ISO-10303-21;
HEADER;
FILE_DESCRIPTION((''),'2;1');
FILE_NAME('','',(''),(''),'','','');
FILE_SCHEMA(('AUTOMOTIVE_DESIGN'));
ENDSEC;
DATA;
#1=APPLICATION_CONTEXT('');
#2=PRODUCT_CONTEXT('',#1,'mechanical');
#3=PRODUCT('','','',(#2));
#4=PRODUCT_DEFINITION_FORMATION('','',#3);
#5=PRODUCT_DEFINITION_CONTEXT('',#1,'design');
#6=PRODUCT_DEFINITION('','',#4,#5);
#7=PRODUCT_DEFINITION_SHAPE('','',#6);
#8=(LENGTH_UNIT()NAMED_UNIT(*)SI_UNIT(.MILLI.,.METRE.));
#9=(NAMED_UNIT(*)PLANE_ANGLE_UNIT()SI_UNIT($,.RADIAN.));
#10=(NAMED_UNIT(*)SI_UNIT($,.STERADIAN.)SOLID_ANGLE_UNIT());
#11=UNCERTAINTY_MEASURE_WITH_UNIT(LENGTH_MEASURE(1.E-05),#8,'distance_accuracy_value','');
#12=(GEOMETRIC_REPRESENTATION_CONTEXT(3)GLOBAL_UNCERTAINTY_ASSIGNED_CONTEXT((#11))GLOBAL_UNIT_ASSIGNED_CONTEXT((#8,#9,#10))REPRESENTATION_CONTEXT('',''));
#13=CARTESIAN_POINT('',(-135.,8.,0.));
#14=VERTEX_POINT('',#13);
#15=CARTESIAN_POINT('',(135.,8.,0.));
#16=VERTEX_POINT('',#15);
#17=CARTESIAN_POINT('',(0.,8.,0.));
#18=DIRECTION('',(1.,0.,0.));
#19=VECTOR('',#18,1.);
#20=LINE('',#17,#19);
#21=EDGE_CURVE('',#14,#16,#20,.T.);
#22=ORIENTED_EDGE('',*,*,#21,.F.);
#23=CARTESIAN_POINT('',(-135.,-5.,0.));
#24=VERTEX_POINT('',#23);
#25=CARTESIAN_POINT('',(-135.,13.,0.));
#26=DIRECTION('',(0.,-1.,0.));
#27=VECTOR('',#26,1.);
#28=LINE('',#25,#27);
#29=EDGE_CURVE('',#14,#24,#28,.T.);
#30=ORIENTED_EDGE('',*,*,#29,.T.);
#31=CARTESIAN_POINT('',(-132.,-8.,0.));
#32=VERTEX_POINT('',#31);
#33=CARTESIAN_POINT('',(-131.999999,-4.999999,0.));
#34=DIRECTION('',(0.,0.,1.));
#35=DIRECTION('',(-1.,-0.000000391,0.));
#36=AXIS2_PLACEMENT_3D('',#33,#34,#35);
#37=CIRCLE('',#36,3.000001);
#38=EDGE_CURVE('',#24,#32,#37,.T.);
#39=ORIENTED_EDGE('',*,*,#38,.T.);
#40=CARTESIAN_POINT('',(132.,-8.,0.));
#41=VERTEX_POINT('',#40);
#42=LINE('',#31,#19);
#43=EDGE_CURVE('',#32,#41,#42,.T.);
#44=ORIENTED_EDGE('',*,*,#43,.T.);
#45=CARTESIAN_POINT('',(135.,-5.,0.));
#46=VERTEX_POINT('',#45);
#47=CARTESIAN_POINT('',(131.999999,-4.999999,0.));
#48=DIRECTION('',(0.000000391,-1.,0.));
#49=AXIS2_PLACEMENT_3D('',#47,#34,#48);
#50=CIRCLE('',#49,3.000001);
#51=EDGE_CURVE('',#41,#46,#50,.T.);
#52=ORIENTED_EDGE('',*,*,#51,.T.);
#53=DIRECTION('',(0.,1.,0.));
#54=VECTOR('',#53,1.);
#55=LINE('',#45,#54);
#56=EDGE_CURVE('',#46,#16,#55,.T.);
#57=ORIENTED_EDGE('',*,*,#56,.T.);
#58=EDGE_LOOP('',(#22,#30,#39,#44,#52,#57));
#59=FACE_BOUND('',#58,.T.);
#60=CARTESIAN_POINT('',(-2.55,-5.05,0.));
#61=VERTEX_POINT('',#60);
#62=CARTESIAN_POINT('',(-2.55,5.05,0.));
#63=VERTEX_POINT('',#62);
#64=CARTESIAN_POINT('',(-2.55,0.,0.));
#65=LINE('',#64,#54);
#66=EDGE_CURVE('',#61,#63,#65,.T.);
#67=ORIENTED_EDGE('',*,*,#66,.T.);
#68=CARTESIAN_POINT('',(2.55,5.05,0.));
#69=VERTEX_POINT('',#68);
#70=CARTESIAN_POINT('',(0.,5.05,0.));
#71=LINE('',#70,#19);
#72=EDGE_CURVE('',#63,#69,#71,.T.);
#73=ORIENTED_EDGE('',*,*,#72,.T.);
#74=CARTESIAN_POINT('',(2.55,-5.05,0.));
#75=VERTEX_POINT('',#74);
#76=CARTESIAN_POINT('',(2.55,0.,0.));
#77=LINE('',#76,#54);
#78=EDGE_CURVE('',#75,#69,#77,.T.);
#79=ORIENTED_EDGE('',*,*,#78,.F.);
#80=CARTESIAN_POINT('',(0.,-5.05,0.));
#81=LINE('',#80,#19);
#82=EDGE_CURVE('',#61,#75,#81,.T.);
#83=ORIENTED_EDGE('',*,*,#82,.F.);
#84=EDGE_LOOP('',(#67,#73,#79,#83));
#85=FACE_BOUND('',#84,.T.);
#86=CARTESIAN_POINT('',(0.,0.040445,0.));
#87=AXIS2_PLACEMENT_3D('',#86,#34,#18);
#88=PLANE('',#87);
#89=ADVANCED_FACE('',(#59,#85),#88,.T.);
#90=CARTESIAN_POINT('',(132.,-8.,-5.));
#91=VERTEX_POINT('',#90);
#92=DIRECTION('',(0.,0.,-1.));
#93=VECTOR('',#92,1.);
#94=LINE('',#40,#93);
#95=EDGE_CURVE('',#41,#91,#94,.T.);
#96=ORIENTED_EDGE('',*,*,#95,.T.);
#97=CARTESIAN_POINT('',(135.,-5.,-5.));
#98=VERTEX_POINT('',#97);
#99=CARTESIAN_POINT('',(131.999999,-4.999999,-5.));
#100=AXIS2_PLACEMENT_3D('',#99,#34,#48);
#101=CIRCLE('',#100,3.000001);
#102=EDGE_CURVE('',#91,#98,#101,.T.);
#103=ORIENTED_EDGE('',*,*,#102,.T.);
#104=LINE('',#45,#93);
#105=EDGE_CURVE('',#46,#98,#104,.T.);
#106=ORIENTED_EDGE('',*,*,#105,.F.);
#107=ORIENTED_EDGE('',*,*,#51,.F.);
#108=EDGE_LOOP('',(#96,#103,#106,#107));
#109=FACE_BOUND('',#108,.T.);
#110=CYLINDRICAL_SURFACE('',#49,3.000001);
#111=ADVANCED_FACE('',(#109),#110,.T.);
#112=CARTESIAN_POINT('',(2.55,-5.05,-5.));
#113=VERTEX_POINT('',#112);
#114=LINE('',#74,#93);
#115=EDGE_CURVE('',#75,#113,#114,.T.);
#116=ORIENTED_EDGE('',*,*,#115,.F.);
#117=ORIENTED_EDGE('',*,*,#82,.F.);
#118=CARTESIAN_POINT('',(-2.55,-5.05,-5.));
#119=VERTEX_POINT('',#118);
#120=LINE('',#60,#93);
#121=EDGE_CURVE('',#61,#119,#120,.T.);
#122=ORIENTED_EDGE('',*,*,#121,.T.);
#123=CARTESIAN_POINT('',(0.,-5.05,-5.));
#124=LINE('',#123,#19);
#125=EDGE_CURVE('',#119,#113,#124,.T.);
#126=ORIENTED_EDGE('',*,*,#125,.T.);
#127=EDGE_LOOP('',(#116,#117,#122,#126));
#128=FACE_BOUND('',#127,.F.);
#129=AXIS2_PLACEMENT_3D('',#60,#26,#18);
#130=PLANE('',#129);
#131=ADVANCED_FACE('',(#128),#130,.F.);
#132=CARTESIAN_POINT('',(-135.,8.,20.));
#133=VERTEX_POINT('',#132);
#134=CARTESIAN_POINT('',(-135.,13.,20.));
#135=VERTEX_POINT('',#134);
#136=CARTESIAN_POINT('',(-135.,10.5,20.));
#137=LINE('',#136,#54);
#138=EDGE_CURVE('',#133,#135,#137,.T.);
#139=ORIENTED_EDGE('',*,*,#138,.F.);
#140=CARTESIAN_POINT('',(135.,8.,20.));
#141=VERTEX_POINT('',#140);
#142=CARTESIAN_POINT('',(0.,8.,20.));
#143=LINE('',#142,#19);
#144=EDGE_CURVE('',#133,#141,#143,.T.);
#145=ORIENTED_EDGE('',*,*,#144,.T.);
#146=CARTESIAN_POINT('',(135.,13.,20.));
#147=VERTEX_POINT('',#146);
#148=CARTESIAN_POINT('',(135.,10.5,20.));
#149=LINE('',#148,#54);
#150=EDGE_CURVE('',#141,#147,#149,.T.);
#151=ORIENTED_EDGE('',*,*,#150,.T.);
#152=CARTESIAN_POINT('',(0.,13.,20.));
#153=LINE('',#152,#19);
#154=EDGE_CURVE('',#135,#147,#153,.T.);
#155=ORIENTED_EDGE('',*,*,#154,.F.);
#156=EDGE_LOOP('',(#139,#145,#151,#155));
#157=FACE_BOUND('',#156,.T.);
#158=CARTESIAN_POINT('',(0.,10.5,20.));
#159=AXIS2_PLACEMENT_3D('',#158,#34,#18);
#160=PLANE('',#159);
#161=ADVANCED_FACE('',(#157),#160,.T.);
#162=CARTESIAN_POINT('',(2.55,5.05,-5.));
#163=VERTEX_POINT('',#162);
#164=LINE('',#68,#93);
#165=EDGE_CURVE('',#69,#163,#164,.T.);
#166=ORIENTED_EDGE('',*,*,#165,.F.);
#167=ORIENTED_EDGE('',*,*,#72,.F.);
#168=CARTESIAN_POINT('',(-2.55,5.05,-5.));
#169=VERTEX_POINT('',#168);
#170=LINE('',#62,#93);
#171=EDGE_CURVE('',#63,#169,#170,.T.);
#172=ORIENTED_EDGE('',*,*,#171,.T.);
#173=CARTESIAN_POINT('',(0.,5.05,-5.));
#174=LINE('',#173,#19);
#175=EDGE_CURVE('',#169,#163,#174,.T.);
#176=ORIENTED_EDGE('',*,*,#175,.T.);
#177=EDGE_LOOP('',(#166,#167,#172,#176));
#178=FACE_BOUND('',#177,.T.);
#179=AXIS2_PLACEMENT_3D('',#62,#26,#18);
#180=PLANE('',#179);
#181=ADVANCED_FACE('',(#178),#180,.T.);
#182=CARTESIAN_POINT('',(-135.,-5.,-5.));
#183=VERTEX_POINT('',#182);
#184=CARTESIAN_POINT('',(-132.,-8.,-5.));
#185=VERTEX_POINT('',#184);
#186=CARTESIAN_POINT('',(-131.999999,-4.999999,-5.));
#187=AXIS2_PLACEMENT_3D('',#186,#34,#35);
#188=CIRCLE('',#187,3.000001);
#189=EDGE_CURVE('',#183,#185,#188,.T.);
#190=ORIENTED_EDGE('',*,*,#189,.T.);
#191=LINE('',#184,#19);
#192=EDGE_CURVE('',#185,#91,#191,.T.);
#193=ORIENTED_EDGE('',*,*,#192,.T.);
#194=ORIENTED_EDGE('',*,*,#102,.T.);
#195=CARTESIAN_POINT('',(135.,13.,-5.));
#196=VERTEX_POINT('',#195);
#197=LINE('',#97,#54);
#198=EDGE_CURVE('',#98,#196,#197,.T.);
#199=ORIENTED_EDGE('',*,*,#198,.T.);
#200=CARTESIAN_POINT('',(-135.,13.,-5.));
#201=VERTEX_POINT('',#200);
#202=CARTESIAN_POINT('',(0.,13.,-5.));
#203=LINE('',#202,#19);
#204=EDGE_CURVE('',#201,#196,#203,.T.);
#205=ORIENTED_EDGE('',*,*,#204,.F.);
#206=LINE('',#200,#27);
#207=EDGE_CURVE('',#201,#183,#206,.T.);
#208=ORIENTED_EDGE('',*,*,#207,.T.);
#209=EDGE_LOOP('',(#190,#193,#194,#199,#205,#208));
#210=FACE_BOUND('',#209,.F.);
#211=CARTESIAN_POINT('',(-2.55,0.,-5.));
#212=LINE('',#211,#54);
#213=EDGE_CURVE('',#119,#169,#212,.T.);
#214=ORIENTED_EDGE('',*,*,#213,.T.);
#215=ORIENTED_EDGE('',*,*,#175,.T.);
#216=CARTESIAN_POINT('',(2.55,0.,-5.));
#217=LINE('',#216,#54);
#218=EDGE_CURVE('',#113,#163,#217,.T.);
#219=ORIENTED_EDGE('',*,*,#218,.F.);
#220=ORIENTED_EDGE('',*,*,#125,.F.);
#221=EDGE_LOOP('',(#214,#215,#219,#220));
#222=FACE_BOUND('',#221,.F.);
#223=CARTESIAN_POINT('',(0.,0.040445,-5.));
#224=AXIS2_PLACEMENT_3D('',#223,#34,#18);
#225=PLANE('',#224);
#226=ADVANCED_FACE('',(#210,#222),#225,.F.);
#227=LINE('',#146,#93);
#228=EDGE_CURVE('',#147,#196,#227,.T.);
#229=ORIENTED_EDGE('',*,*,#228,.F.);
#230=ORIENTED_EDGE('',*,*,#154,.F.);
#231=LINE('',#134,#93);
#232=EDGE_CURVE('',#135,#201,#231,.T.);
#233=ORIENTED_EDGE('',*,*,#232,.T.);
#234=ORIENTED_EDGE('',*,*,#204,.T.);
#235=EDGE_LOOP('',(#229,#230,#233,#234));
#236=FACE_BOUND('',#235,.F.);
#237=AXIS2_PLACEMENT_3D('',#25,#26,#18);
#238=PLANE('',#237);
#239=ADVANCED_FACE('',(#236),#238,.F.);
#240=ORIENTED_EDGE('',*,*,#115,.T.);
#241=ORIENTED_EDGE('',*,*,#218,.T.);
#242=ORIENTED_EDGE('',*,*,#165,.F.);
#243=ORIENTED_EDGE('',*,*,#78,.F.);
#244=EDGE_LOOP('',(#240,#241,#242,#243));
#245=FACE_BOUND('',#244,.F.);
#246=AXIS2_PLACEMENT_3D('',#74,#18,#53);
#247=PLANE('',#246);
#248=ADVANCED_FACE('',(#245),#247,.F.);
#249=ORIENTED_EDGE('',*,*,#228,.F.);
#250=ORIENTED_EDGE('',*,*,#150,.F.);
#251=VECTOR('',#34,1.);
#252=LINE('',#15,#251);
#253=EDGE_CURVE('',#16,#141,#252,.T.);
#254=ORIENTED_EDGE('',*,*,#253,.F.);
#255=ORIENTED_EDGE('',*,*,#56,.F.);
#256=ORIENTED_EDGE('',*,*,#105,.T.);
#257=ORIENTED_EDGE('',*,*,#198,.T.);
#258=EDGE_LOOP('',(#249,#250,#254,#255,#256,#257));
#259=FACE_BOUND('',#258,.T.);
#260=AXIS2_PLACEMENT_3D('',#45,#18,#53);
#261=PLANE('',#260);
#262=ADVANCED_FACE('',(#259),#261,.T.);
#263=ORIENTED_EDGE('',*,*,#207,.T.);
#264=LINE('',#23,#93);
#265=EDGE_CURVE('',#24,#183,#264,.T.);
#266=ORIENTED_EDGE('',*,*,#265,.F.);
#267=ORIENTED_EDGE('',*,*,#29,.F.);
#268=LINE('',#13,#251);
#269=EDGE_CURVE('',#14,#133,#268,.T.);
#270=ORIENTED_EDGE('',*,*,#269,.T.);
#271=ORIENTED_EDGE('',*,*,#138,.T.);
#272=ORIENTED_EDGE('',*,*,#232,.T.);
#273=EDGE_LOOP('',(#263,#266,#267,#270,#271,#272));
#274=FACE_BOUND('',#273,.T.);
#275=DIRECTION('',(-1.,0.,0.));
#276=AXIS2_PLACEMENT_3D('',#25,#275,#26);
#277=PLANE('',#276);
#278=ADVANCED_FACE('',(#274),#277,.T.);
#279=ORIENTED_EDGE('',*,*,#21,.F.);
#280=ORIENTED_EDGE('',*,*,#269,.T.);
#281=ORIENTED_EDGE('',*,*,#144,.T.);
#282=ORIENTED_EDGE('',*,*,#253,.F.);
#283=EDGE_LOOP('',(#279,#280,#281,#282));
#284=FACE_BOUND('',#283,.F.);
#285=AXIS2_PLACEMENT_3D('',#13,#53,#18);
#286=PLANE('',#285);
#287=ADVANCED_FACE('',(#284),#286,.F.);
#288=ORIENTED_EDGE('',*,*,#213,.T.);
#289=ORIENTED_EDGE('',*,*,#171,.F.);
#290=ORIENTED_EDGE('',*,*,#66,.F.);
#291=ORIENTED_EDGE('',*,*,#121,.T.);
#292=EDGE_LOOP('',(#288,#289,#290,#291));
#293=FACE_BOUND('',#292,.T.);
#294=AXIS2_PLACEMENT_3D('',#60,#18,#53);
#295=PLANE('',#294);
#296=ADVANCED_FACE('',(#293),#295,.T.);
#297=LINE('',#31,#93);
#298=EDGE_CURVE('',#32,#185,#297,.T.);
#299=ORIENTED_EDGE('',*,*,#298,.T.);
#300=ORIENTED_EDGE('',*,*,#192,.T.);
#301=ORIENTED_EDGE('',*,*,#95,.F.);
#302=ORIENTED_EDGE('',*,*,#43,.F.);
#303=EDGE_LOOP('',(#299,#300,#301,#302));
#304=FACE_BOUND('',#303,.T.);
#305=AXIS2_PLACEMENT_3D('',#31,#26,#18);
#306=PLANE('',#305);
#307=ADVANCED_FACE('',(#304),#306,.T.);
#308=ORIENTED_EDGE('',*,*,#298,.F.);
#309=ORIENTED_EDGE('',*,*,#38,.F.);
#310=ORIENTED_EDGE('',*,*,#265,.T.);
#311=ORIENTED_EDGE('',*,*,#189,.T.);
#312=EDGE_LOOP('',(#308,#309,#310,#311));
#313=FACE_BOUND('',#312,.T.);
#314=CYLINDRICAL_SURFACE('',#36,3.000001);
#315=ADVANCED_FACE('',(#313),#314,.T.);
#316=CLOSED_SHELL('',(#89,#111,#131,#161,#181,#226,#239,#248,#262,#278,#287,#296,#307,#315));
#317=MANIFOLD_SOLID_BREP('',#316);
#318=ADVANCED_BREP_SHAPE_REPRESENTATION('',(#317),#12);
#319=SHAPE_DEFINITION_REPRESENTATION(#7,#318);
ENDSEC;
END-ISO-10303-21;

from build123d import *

# Parameters (mm, degrees)
F0_W     = 270
F0_H     = 5
F1_DEPTH = 20
F0_W_2   = 5.1
F0_H_2   = 10.1
F2_DEPTH = 5


with BuildPart() as f1:
    # F0 (on Top) → F1 (new body)
    with BuildSketch(Plane.XY):
        with Locations((0, 10.5)):
            Rectangle(F0_W, F0_H)
    extrude(amount=F1_DEPTH)

    # F0 (on Top) → F2 (join)
    with BuildSketch(Plane.XY):
        with BuildLine():
            ThreePointArc((-135, -5), (-134.12132, -7.12132), (-132, -8))
            Line((-132, -8), (132, -8))
            ThreePointArc((132, -8), (134.12132, -7.12132), (135, -5))
            Line((135, -5), (135, 8))
            Line((135, 8), (-135, 8))
            Line((-135, 8), (-135, -5))
        make_face()
        Rectangle(F0_W_2, F0_H_2, mode=Mode.SUBTRACT)
        with Locations((0, 10.5)):
            Rectangle(F0_W, F0_H)
    extrude(amount=-F2_DEPTH)


solid = f1.part
